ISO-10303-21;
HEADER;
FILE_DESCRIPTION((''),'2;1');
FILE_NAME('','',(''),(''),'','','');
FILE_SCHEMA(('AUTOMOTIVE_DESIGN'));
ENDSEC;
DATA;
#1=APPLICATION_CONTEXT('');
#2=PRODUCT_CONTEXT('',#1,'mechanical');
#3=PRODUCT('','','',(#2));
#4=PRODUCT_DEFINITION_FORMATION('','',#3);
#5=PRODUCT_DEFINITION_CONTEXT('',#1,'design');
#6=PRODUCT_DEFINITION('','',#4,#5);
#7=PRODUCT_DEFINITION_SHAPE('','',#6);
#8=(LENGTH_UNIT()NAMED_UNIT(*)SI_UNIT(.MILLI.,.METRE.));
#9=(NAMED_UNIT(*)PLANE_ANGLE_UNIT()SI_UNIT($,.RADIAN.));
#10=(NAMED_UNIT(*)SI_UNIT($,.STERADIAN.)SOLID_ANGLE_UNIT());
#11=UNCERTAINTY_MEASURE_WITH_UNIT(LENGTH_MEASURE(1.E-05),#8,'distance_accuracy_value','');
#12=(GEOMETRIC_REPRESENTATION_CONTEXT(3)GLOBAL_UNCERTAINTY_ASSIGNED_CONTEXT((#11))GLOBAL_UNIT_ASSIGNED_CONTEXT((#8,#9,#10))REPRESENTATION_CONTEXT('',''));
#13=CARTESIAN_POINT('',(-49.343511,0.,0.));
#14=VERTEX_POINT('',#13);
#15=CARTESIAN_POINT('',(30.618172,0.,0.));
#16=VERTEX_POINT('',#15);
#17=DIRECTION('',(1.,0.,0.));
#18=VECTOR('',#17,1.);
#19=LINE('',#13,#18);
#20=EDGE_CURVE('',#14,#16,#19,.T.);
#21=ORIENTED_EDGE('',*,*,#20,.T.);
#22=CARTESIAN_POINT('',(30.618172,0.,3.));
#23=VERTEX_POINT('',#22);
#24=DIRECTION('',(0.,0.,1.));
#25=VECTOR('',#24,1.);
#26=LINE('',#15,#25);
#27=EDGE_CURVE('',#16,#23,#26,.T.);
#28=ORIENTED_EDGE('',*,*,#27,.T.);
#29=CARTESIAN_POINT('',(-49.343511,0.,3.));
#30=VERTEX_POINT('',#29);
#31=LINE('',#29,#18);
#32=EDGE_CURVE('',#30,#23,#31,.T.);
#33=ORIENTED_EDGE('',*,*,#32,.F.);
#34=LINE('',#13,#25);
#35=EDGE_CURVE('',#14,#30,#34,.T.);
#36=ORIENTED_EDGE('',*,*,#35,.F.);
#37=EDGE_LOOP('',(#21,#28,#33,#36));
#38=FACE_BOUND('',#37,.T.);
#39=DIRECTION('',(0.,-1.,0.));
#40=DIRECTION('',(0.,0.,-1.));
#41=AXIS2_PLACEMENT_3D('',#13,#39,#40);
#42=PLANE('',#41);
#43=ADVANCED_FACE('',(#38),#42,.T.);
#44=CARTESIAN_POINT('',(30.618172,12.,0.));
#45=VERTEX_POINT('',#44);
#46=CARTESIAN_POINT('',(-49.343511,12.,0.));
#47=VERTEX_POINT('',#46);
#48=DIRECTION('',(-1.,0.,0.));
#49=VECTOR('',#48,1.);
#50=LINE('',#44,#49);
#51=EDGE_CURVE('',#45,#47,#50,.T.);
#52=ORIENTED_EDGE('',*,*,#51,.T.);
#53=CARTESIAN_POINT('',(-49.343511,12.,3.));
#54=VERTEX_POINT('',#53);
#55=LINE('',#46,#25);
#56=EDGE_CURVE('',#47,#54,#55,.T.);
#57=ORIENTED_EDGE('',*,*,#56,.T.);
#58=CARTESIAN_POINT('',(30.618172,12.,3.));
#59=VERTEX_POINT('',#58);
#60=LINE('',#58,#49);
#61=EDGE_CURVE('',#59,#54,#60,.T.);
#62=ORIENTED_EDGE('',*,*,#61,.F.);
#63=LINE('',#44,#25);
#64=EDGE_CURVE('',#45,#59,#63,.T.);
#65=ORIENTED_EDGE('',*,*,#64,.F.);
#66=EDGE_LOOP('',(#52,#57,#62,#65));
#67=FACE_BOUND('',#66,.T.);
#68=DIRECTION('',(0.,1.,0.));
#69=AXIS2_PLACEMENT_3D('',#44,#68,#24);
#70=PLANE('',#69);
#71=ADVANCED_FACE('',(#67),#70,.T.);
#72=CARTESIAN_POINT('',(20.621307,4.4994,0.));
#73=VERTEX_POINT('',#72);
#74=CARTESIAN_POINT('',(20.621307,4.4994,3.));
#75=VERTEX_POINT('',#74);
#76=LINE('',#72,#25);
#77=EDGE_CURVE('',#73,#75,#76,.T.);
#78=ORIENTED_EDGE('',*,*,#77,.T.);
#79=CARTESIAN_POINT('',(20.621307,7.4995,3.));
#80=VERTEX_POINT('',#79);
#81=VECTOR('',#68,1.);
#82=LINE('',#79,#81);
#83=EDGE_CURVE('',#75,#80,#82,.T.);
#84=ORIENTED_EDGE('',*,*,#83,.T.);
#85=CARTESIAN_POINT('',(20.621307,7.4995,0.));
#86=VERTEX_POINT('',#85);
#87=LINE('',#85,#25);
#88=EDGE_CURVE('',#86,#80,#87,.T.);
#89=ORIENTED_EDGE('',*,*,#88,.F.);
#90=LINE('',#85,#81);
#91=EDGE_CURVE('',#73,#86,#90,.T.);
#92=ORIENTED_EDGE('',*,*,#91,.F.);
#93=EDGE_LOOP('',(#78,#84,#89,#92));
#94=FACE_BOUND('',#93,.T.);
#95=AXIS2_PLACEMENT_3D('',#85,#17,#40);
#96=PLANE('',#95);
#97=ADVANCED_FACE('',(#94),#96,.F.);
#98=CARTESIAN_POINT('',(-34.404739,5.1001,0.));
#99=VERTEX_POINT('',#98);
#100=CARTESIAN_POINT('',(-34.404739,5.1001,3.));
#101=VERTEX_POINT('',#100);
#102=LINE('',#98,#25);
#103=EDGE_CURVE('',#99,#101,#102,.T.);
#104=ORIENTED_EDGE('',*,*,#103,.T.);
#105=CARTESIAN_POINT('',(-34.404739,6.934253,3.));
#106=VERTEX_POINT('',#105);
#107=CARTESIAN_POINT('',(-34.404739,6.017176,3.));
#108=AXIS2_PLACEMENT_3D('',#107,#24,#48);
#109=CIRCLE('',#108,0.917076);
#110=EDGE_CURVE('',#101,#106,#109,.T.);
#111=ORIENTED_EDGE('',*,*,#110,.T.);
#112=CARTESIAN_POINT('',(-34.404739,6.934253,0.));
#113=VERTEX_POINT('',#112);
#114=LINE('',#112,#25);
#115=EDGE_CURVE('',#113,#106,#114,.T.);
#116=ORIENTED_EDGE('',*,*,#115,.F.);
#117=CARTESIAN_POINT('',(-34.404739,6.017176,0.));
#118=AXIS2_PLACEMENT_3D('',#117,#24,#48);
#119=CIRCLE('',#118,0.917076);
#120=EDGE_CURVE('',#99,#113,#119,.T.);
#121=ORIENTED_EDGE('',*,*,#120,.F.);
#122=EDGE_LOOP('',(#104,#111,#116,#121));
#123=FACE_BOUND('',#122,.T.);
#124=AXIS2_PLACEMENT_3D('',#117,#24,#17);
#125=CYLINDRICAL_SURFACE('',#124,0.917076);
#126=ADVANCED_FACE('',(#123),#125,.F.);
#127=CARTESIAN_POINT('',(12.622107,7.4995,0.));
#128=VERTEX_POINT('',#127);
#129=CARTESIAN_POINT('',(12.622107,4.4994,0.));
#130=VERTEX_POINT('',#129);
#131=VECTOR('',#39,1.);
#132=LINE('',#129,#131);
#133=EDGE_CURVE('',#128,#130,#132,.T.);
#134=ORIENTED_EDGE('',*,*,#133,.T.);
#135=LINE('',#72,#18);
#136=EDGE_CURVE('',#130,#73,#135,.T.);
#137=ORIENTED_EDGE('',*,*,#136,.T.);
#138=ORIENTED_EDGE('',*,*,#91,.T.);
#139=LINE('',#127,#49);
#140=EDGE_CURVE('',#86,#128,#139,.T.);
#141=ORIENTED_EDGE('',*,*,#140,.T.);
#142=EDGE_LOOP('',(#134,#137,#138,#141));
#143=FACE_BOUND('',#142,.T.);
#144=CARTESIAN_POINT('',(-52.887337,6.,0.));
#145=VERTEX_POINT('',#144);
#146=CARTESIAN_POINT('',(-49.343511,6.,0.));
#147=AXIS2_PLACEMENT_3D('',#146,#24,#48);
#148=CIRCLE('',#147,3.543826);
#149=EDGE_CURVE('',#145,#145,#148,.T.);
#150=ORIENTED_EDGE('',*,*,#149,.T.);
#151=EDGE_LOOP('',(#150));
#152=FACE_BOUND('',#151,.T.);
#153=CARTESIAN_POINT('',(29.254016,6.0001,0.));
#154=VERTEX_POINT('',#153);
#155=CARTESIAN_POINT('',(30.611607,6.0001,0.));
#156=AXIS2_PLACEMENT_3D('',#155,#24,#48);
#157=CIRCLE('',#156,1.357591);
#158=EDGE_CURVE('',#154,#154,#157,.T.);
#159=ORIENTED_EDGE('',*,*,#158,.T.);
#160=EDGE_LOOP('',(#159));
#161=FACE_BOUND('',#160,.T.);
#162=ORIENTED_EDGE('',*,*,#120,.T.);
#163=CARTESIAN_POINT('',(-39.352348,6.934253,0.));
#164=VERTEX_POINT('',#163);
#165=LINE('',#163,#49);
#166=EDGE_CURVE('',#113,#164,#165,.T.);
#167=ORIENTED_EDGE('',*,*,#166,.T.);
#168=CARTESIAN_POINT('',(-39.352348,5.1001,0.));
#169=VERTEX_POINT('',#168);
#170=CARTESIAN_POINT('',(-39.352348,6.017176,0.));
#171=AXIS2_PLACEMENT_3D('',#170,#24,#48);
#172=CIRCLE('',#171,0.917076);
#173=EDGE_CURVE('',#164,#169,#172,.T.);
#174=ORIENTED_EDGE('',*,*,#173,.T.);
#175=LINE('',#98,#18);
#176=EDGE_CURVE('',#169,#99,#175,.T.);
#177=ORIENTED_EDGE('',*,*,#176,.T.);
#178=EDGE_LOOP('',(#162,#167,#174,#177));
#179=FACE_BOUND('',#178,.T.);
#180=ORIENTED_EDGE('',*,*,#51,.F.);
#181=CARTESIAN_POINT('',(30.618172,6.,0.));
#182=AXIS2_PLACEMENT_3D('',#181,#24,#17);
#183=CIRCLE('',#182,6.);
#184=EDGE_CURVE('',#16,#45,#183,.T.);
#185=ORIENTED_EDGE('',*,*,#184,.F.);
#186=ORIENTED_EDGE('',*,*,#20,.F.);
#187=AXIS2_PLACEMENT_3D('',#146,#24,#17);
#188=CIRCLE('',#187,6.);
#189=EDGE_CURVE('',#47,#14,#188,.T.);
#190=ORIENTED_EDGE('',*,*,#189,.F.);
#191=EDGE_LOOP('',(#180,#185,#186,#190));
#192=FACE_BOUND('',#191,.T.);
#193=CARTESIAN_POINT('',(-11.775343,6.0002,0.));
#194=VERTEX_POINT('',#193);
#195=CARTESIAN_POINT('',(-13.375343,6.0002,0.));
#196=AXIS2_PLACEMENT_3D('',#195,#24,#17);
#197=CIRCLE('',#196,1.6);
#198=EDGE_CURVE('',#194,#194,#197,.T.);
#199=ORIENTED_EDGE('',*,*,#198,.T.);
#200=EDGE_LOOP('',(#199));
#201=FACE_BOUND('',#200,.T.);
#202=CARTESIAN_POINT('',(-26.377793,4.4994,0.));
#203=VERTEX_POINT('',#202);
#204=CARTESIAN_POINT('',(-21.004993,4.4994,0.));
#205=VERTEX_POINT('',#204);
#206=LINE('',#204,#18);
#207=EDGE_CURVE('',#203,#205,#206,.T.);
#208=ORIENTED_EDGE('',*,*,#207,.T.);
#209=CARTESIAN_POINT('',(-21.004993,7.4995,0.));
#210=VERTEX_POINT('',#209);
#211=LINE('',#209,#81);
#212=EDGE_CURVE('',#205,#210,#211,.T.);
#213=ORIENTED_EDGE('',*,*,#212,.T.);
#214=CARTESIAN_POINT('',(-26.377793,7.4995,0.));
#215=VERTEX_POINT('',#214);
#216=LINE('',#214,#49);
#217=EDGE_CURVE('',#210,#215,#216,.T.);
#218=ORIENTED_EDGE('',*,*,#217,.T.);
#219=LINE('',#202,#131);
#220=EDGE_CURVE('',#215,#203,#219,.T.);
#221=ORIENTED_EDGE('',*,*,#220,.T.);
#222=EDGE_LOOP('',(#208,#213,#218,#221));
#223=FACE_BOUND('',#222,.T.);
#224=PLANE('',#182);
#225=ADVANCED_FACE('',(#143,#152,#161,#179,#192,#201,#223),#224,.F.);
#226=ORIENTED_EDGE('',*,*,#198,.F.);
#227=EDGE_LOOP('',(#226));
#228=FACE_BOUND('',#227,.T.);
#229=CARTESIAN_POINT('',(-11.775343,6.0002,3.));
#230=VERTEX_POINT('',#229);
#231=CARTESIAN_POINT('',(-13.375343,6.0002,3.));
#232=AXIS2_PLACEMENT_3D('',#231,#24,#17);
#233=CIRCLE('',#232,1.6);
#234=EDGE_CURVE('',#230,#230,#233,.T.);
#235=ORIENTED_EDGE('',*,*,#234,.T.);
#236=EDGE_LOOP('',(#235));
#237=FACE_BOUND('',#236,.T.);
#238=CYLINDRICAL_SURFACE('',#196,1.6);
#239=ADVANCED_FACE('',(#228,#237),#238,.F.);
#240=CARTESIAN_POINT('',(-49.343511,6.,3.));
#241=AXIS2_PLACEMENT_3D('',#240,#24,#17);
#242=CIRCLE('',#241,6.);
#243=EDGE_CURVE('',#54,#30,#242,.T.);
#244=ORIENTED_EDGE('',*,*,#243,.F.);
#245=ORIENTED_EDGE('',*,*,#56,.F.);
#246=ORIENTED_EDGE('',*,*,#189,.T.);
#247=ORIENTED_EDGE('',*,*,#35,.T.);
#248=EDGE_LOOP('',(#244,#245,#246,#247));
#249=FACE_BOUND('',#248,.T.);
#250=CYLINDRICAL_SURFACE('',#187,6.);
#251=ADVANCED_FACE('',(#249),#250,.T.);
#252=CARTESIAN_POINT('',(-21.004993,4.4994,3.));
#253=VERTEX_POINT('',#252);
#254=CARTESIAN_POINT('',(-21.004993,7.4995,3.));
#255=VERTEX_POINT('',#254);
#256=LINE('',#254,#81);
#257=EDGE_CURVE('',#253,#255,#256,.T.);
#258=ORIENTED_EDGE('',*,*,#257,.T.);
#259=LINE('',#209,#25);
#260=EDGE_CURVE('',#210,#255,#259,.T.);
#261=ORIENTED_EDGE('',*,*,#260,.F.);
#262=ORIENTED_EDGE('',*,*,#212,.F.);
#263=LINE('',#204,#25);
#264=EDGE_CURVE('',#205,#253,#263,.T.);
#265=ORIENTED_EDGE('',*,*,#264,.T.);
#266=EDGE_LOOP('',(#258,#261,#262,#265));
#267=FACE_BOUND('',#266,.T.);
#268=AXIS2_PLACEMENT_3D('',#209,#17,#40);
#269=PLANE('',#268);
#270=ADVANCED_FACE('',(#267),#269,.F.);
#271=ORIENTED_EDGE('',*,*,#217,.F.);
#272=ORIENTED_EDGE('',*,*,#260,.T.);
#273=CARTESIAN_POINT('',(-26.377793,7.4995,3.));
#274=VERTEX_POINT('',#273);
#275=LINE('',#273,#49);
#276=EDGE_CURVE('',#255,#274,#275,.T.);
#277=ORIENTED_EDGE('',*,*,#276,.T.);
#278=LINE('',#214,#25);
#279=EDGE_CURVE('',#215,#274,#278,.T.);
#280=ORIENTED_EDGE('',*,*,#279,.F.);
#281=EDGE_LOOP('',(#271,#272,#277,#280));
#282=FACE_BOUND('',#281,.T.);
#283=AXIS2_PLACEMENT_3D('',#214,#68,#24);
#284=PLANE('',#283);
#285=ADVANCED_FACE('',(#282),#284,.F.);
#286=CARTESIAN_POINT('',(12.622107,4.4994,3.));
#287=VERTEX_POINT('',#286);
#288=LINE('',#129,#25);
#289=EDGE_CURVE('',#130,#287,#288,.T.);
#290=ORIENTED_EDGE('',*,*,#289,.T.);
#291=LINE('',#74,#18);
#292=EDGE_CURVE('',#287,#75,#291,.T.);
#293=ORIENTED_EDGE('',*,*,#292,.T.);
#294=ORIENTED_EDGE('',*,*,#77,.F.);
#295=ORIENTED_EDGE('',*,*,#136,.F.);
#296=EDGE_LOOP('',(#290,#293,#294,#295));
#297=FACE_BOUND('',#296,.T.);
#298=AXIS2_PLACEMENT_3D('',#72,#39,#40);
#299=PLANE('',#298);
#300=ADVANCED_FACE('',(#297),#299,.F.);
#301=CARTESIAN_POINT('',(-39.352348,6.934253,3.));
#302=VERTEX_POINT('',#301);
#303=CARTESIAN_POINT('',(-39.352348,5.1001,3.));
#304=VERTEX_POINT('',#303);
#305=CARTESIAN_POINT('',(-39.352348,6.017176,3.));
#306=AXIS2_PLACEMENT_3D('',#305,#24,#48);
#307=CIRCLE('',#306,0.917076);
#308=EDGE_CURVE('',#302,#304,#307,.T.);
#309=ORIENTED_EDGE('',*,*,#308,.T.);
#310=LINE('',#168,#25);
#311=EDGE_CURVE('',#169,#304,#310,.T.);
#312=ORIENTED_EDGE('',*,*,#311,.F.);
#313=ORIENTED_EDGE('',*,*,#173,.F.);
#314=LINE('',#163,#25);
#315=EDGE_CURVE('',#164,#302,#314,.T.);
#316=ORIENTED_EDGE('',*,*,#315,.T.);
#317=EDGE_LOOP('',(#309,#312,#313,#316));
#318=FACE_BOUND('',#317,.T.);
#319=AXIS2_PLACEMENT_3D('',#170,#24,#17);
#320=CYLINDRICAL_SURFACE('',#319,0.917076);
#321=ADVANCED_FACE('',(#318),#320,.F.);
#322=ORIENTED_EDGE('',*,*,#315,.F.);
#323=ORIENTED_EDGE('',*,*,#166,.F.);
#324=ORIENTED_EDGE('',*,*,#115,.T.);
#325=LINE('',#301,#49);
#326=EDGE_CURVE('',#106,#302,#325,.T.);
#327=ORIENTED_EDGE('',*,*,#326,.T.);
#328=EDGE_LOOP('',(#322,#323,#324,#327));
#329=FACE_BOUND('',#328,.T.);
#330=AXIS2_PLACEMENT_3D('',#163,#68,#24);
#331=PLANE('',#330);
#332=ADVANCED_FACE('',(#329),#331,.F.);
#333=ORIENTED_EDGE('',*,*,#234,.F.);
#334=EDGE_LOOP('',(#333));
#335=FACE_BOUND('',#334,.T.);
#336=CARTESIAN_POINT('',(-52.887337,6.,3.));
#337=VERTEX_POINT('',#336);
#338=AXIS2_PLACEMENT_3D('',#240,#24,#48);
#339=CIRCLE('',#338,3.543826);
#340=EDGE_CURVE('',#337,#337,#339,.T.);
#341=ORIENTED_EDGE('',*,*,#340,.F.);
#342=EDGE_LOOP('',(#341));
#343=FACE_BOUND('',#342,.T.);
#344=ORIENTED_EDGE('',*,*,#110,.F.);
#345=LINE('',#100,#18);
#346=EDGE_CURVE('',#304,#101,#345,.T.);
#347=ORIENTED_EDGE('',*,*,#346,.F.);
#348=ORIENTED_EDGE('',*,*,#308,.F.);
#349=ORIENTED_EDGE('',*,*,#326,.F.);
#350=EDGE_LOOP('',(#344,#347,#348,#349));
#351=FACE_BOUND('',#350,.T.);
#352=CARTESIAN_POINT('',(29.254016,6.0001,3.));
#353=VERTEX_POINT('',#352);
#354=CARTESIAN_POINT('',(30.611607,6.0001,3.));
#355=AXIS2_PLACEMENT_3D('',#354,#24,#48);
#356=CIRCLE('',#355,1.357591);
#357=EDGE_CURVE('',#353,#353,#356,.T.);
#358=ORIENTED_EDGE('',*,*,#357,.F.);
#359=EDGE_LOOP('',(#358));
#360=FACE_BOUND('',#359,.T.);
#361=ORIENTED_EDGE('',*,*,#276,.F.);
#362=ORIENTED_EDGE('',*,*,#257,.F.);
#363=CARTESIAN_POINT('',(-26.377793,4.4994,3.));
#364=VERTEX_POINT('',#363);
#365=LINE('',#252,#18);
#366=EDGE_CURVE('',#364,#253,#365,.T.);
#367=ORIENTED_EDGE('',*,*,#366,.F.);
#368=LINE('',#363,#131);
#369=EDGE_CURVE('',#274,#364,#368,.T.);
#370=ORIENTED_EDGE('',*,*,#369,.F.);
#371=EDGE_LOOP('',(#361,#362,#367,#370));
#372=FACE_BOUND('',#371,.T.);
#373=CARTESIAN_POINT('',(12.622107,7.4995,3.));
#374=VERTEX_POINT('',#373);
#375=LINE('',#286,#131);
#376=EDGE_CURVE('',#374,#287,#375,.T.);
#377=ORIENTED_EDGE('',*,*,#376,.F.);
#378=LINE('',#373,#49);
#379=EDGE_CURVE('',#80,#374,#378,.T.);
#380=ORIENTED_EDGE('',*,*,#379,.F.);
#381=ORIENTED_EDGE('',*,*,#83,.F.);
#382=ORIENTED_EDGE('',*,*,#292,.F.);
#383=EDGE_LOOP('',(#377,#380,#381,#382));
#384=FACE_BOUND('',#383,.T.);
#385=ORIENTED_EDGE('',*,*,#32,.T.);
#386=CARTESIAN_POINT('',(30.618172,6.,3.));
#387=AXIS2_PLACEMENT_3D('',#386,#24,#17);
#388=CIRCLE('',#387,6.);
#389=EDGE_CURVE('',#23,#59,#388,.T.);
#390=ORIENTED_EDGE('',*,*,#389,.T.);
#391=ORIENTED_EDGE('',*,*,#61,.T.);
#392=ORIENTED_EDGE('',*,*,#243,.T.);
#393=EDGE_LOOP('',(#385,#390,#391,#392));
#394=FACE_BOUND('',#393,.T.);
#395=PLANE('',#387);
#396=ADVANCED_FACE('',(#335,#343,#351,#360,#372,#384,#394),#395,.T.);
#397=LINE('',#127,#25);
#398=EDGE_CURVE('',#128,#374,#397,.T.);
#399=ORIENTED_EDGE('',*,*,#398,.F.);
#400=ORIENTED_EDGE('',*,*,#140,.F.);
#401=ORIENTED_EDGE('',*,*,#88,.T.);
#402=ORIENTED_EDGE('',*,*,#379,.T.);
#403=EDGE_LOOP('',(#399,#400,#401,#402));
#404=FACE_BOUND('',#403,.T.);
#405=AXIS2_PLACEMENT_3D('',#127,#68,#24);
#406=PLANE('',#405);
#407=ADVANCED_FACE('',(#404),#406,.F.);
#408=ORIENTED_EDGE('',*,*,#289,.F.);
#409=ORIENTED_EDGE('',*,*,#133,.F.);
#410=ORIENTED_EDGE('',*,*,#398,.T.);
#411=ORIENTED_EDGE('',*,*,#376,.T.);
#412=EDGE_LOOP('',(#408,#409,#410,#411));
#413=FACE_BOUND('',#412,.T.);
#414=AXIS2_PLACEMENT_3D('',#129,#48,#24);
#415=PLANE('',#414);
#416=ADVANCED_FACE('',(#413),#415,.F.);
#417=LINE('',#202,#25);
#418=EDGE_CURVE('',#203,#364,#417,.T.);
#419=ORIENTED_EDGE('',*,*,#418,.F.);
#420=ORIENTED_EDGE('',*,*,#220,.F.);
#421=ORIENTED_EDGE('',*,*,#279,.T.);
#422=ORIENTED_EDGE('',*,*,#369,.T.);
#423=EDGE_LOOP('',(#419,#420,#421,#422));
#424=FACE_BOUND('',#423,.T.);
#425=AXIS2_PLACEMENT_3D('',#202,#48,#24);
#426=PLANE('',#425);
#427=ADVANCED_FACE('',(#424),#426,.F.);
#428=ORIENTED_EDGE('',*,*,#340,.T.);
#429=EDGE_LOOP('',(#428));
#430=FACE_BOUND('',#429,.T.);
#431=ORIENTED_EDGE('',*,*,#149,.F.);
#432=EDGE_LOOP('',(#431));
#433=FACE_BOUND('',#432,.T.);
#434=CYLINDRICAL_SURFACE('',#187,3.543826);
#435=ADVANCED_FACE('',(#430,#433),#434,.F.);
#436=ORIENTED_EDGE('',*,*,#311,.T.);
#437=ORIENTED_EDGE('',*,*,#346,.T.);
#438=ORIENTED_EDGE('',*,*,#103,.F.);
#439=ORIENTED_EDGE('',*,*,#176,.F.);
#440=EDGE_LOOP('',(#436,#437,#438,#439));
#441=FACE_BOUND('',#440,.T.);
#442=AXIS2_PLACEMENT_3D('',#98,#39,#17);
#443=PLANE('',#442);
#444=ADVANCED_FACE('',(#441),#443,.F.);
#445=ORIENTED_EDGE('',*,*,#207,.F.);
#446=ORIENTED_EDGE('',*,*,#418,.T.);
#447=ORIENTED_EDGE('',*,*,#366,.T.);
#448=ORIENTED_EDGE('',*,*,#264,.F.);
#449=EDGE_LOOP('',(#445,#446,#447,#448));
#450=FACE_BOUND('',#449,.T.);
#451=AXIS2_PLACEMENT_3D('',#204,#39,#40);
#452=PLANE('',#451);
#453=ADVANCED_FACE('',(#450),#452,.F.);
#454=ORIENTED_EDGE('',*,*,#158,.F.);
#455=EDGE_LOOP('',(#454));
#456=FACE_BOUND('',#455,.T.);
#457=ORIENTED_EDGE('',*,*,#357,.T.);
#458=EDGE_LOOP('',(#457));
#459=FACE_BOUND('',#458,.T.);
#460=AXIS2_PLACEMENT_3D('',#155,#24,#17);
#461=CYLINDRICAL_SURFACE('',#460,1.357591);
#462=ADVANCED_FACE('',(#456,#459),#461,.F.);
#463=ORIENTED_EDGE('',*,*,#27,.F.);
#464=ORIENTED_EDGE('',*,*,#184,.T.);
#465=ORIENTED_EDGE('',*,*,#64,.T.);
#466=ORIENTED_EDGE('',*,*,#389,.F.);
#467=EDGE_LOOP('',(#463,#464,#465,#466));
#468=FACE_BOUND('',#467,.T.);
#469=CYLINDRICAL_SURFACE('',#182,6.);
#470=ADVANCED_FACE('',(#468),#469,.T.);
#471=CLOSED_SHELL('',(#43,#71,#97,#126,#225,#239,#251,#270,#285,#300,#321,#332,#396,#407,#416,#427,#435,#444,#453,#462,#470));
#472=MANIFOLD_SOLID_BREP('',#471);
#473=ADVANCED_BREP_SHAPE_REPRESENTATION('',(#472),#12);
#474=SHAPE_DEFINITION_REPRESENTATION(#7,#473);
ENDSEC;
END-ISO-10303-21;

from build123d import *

# Parameters (mm, degrees)
SKETCH_1_R          = 1.357591064
SKETCH_1_R_2        = 3.543825796
SKETCH_1_W          = 5.3728
SKETCH_1_H          = 3.0001
SKETCH_1_W_2        = 7.9992
EXTRUDE_1_DEPTH     = 3
SKETCH_2_R          = 1.6
CUT_EXTRUDE_1_DEPTH = 57.708942736


with BuildPart() as part:
    # 草图1 → 凸台-拉伸1 (new body)
    with BuildSketch(Plane.XY.offset(3)):
        with BuildLine():
            Line((30.618171933, 12), (-49.343510787, 12))
            ThreePointArc((-49.343510787, 12), (-55.343510787, 6), (-49.343510787, 0))
            Line((-49.343510787, 0), (30.618171933, 0))
            ThreePointArc((30.618171933, 0), (36.618171933, 6), (30.618171933, 12))
        make_face()
        with Locations(Location((30.611606698, 6.0001, 0), (0, 0, 180))):
            Circle(SKETCH_1_R, mode=Mode.SUBTRACT)
        with Locations(Location((-13.375343302, 6.0002, 0), (0, 0, 180))):
            Circle(SKETCH_1_R, mode=Mode.SUBTRACT)
        with Locations(Location((-49.343510787, 6, 0), (0, 0, 180))):
            Circle(SKETCH_1_R_2, mode=Mode.SUBTRACT)
        with Locations((-23.691393302, 5.99945)):
            Rectangle(SKETCH_1_W, SKETCH_1_H, mode=Mode.SUBTRACT)
        with Locations((16.621706698, 5.99945)):
            Rectangle(SKETCH_1_W_2, SKETCH_1_H, mode=Mode.SUBTRACT)
        with BuildLine():
            Line((-34.404739086, 5.1001), (-39.352347519, 5.1001))
            ThreePointArc((-39.352347519, 5.1001), (-40.269423986, 6.017176468), (-39.352347519, 6.934252935))
            Line((-39.352347519, 6.934252935), (-34.404739086, 6.934252935))
            ThreePointArc((-34.404739086, 6.934252935), (-33.487662618, 6.017176468), (-34.404739086, 5.1001))
        make_face(mode=Mode.SUBTRACT)
    extrude(amount=-EXTRUDE_1_DEPTH)

    # 草图2 → 切除-拉伸1 (cut, through all)
    with BuildSketch(Plane.XY.offset(3)):
        with Locations((-13.375343302, 6.0002)):
            Circle(SKETCH_2_R)
    extrude(amount=-CUT_EXTRUDE_1_DEPTH, mode=Mode.SUBTRACT)


solid = part.part
